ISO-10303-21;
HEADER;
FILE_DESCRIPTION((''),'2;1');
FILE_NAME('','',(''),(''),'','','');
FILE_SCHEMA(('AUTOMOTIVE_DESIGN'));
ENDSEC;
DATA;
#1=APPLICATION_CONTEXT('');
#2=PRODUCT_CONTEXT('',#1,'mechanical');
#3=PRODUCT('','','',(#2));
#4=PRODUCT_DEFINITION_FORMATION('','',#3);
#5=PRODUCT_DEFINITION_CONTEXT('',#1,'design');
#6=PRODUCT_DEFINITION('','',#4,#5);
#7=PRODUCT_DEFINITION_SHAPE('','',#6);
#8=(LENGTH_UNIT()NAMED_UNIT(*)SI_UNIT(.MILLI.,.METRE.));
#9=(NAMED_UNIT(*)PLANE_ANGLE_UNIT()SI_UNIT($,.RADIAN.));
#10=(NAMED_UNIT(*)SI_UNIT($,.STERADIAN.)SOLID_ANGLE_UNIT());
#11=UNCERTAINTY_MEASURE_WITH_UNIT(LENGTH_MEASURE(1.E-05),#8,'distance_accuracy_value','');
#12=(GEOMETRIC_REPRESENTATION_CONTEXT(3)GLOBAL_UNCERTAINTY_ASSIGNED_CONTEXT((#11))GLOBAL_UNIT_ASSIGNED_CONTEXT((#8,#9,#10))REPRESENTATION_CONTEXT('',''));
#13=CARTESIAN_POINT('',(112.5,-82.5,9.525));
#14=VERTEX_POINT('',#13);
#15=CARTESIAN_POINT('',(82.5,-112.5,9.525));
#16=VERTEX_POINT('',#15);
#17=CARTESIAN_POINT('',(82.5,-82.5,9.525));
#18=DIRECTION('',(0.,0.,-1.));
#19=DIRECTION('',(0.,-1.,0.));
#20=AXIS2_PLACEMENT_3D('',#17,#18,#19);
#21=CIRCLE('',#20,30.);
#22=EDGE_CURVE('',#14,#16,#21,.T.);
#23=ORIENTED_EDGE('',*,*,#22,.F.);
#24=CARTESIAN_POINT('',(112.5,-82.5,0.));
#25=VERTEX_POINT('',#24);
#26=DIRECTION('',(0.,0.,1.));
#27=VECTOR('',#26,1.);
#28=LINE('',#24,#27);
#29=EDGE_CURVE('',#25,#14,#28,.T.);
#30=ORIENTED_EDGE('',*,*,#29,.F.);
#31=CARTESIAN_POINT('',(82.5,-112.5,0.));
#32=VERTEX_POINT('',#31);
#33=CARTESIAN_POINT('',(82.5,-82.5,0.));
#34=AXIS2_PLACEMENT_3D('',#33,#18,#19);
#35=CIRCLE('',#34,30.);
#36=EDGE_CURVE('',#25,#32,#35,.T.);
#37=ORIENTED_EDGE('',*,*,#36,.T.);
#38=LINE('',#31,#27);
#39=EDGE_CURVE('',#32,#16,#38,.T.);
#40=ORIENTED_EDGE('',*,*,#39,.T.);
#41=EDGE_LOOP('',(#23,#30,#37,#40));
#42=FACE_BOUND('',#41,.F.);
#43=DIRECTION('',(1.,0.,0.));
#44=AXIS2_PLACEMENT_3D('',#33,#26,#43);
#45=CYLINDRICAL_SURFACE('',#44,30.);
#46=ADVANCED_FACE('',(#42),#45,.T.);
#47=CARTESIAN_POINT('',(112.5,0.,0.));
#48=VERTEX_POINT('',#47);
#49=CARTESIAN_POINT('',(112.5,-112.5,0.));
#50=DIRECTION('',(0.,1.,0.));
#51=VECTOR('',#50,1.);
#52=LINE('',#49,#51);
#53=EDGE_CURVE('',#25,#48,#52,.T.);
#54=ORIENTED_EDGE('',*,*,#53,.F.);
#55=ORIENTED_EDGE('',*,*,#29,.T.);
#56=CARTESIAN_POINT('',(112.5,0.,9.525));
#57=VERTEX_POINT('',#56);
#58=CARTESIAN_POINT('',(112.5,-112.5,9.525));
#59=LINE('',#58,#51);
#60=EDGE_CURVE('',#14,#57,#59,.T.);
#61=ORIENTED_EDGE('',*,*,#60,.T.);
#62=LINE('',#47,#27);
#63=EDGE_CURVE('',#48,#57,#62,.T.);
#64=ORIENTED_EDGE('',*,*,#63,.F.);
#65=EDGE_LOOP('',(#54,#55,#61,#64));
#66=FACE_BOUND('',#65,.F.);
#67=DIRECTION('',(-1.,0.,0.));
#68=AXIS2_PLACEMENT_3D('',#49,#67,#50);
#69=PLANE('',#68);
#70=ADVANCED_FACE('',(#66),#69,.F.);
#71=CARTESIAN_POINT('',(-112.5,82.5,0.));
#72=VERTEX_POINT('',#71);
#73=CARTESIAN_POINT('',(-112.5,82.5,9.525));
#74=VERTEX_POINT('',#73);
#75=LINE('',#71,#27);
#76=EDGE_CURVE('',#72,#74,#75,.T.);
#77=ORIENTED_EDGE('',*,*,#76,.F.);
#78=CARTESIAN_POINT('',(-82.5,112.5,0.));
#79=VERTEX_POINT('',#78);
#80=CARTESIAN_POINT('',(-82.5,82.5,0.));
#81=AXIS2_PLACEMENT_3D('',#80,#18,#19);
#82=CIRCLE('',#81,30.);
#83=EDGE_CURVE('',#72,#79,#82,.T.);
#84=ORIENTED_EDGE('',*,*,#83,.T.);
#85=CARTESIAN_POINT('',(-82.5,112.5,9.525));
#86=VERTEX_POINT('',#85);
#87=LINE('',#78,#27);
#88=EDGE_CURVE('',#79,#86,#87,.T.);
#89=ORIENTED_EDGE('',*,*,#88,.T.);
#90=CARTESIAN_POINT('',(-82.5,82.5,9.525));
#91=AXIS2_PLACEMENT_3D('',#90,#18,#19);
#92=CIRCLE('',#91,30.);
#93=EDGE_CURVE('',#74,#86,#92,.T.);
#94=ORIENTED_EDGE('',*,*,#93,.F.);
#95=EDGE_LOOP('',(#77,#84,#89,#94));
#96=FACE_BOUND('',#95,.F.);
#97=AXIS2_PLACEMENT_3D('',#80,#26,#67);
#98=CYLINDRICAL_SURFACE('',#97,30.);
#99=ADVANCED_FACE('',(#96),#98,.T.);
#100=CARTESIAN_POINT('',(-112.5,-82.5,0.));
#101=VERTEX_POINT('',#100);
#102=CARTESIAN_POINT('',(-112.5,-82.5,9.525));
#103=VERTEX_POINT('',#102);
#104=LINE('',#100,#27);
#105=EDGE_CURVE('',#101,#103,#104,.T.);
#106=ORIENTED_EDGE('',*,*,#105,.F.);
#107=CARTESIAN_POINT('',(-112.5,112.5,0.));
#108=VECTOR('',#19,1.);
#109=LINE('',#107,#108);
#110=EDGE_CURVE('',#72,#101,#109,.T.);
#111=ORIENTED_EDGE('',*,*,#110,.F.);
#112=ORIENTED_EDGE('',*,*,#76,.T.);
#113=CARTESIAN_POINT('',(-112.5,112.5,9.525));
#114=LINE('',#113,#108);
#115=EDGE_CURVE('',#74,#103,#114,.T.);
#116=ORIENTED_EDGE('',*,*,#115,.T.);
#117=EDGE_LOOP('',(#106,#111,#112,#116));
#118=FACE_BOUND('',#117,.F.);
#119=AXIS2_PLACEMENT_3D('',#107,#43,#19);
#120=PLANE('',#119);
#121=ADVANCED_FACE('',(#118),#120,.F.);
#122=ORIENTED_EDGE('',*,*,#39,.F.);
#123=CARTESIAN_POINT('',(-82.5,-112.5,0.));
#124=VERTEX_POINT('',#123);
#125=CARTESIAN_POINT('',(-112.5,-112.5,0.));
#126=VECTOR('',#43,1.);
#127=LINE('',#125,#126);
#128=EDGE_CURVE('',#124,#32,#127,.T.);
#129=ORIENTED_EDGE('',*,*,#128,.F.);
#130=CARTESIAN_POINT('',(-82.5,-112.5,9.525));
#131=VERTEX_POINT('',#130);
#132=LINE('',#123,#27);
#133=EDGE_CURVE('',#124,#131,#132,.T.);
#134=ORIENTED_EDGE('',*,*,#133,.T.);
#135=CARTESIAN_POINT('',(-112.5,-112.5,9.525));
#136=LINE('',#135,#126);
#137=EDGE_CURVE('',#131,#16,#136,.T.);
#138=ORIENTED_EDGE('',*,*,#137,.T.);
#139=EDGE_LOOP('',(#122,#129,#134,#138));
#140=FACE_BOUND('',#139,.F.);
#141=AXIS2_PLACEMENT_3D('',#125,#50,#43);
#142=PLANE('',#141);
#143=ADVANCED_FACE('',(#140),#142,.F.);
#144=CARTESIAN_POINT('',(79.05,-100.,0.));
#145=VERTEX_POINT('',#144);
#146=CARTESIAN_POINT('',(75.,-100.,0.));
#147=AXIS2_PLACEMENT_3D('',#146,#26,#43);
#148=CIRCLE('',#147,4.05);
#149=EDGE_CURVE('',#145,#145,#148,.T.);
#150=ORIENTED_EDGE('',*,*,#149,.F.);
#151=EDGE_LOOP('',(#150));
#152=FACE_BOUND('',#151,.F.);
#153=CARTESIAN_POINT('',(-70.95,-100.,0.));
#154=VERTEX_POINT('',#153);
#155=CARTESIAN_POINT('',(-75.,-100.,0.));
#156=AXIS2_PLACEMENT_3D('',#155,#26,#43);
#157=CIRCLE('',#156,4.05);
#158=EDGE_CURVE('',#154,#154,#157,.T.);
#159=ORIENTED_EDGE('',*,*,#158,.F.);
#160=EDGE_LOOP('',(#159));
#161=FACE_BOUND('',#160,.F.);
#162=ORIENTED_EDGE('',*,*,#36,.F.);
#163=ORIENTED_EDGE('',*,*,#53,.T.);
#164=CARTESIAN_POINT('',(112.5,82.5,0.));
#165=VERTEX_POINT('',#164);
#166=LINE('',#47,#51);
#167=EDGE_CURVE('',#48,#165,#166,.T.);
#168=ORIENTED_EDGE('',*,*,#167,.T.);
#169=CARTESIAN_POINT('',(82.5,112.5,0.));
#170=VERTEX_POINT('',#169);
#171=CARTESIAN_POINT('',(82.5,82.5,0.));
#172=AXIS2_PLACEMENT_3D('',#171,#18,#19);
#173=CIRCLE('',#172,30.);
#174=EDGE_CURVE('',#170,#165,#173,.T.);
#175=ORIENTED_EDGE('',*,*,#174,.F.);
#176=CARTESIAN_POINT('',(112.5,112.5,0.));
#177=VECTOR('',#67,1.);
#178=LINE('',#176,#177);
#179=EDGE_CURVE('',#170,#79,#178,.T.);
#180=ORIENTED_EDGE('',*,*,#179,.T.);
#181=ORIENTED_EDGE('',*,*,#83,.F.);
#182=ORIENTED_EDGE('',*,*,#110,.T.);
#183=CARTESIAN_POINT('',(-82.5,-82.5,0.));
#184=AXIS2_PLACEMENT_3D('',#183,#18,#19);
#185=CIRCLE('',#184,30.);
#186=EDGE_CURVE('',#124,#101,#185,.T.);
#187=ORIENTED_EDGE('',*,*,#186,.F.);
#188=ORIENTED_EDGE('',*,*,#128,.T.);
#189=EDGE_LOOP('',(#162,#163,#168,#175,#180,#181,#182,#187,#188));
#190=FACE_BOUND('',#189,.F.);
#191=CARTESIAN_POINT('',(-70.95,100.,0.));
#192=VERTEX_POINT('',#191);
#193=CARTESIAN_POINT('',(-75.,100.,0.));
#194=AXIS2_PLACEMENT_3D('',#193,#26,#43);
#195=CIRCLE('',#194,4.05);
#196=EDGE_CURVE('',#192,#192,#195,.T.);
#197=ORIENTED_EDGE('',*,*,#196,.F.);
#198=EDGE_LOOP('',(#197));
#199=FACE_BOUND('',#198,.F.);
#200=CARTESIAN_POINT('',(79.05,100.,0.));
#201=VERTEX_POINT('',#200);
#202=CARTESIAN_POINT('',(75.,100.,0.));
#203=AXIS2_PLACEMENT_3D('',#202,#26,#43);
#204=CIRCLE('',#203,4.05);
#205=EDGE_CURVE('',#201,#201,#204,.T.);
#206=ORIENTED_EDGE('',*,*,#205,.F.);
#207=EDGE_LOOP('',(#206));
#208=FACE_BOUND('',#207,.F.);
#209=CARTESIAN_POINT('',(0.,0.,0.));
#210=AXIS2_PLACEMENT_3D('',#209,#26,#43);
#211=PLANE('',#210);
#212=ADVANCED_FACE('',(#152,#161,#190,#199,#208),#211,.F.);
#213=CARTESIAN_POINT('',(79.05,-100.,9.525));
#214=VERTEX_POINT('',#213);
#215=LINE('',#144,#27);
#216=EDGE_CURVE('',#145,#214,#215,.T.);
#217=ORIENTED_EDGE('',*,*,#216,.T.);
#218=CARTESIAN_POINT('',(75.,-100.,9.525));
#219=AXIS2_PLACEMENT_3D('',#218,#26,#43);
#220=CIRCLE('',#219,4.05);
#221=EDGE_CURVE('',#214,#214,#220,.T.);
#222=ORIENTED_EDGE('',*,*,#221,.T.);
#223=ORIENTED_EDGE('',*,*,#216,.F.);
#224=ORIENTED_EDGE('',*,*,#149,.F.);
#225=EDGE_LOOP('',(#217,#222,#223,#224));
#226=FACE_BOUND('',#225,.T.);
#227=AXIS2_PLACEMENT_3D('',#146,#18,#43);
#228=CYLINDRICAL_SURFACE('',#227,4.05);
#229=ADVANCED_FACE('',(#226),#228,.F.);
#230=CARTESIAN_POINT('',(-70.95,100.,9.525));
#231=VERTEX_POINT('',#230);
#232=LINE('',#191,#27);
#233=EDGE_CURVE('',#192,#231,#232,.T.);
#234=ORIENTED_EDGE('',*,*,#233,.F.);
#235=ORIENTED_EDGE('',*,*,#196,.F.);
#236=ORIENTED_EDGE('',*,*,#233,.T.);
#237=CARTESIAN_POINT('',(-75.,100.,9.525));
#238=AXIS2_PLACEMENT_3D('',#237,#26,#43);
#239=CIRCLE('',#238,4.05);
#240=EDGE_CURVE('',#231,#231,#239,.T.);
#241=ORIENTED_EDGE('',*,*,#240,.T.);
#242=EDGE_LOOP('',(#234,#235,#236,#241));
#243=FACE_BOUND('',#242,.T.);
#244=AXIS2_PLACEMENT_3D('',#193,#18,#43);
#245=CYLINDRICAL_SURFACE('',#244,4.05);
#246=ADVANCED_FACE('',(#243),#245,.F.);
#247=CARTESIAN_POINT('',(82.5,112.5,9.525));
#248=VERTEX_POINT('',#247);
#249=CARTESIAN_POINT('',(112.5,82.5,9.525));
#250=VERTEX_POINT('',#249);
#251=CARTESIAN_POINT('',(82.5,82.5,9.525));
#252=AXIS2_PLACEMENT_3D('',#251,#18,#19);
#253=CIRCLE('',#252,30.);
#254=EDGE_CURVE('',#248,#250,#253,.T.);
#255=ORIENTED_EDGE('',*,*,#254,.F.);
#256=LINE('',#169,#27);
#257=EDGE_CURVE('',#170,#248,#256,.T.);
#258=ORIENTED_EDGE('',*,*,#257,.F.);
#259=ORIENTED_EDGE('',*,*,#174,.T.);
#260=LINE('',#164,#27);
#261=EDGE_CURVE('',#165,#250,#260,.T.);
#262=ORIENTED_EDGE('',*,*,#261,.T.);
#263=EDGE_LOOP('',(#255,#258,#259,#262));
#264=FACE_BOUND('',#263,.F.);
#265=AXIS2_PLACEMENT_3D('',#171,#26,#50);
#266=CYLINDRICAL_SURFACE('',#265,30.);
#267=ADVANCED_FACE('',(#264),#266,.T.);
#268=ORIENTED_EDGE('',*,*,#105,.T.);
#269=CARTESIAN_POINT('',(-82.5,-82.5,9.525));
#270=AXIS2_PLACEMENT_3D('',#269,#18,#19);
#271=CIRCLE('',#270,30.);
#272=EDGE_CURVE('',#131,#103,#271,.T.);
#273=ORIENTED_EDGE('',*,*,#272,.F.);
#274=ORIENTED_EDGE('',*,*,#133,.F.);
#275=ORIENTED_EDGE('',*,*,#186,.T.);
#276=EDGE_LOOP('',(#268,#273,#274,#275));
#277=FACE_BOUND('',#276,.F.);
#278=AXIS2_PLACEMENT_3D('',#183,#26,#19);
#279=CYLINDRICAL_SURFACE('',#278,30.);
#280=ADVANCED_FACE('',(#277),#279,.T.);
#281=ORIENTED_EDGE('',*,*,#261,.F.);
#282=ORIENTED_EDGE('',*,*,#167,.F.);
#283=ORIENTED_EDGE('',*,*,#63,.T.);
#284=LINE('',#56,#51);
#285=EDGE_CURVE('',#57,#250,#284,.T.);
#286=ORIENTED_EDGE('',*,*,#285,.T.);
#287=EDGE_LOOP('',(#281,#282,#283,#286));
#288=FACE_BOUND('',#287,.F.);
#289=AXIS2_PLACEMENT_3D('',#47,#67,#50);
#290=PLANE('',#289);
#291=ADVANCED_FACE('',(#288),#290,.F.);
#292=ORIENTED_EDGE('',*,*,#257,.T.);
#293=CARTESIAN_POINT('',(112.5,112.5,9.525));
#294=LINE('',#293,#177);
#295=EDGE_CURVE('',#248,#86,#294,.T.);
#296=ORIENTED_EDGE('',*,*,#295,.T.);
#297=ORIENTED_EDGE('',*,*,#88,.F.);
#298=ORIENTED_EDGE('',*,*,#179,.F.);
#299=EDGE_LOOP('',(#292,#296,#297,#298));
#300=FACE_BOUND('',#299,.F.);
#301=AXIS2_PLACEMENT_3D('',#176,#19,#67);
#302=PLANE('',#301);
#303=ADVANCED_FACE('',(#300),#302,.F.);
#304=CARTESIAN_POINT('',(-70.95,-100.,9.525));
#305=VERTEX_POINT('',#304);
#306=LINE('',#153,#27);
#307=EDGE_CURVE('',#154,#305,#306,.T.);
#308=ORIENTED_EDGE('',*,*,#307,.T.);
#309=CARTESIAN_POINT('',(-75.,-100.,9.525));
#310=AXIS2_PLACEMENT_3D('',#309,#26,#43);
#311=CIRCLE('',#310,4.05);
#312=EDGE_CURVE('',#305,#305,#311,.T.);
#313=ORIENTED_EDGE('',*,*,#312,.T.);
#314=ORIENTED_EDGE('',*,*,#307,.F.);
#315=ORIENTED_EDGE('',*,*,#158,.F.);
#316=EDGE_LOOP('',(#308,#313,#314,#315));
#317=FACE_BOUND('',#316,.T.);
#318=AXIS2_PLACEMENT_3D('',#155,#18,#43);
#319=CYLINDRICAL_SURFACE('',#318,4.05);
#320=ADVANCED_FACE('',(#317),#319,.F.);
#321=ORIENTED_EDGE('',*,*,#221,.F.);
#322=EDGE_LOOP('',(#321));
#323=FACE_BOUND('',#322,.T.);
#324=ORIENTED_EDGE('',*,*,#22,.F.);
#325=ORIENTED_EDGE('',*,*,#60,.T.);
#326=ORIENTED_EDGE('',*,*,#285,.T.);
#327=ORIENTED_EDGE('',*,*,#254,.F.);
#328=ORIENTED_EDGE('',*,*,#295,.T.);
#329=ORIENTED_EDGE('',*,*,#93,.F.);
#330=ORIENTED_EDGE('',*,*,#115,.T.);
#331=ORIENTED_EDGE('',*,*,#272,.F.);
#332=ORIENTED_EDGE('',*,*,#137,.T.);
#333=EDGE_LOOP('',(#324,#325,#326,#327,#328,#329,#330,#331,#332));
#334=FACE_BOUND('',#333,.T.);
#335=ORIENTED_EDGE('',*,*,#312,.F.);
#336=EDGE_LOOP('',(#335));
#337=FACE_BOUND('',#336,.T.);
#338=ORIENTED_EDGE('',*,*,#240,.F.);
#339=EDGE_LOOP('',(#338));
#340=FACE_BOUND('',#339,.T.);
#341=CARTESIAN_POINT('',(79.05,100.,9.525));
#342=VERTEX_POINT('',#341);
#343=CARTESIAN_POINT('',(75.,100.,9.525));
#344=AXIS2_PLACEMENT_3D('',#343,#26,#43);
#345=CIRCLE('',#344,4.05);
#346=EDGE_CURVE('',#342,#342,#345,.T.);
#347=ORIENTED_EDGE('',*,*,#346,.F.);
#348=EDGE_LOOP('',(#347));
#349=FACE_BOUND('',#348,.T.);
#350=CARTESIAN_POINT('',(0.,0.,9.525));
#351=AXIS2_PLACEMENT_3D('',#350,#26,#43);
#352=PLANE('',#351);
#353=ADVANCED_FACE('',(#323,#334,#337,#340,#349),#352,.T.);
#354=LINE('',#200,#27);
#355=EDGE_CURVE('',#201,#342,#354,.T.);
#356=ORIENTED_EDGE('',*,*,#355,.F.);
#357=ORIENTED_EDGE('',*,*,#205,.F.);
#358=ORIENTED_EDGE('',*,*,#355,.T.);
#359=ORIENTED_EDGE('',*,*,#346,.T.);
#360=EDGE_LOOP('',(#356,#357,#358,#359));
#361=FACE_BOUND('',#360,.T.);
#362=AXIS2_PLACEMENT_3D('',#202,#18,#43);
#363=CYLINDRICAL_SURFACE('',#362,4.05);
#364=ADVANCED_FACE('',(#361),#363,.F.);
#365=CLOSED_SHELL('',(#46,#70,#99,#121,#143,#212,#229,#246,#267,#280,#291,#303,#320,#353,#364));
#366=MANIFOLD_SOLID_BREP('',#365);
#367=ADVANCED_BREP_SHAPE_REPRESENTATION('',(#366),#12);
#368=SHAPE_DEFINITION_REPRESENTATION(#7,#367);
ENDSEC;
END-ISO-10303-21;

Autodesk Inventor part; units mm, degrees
ref_plane "YZ Plane" through (0, 0, 0) normal (1, 0, 0) x (0, 1, 0)
ref_plane "XZ Plane" through (0, 0, 0) normal (0, 1, 0) x (-1, 0, 0)
ref_plane "XY Plane" through (0, 0, 0) normal (0, 0, 1) x (1, 0, 0)
sketch "Sketch1" plane through (0, 0, 0) normal (0, 0, 1) x (1, 0, 0)
  circle A0 centre (0, 0) radius 100 construction
  line L0 (112.5, 0) -> (112.5, 112.5)
  line L1 (112.5, 112.5) -> (-112.5, 112.5)
  line L2 (-112.5, 112.5) -> (-112.5, -112.5)
  line L3 (-112.5, -112.5) -> (112.5, -112.5)
  line L4 (112.5, -112.5) -> (112.5, 0)
  circle A1 centre (-75, -100) radius 4.05
  circle A2 centre (75, -100) radius 4.05
  line L5 (75, -100) -> (-75, -100) construction
  line L6 (-75, -100) -> (-75, 100) construction
  line L7 (-75, 100) -> (75, 100) construction
  line L8 (75, 100) -> (75, -100) construction
  circle A3 centre (-75, 100) radius 4.05
  circle A4 centre (75, 100) radius 4.05
  point P0 (0, 112.5)
  point P1 (75, 0)
  dimension "d0" = 200
  dimension "d2" = 225
  dimension "d3" = 225
  dimension "d4" = 150
  dimension "d5" = 37.5
  dimension "d6" = 12.5
  dimension "d7" = 8.1
extrude "Extrusion1" add sketch "Sketch1" along normal blind 9.525
fillet "Fillet1" radius 30 4 edges at (-112.5, -112.5, 4.7625) (-112.5, 112.5, 4.7625) (112.5, -112.5, 4.7625) (112.5, 112.5, 4.7625)
properties part number "basalt"
